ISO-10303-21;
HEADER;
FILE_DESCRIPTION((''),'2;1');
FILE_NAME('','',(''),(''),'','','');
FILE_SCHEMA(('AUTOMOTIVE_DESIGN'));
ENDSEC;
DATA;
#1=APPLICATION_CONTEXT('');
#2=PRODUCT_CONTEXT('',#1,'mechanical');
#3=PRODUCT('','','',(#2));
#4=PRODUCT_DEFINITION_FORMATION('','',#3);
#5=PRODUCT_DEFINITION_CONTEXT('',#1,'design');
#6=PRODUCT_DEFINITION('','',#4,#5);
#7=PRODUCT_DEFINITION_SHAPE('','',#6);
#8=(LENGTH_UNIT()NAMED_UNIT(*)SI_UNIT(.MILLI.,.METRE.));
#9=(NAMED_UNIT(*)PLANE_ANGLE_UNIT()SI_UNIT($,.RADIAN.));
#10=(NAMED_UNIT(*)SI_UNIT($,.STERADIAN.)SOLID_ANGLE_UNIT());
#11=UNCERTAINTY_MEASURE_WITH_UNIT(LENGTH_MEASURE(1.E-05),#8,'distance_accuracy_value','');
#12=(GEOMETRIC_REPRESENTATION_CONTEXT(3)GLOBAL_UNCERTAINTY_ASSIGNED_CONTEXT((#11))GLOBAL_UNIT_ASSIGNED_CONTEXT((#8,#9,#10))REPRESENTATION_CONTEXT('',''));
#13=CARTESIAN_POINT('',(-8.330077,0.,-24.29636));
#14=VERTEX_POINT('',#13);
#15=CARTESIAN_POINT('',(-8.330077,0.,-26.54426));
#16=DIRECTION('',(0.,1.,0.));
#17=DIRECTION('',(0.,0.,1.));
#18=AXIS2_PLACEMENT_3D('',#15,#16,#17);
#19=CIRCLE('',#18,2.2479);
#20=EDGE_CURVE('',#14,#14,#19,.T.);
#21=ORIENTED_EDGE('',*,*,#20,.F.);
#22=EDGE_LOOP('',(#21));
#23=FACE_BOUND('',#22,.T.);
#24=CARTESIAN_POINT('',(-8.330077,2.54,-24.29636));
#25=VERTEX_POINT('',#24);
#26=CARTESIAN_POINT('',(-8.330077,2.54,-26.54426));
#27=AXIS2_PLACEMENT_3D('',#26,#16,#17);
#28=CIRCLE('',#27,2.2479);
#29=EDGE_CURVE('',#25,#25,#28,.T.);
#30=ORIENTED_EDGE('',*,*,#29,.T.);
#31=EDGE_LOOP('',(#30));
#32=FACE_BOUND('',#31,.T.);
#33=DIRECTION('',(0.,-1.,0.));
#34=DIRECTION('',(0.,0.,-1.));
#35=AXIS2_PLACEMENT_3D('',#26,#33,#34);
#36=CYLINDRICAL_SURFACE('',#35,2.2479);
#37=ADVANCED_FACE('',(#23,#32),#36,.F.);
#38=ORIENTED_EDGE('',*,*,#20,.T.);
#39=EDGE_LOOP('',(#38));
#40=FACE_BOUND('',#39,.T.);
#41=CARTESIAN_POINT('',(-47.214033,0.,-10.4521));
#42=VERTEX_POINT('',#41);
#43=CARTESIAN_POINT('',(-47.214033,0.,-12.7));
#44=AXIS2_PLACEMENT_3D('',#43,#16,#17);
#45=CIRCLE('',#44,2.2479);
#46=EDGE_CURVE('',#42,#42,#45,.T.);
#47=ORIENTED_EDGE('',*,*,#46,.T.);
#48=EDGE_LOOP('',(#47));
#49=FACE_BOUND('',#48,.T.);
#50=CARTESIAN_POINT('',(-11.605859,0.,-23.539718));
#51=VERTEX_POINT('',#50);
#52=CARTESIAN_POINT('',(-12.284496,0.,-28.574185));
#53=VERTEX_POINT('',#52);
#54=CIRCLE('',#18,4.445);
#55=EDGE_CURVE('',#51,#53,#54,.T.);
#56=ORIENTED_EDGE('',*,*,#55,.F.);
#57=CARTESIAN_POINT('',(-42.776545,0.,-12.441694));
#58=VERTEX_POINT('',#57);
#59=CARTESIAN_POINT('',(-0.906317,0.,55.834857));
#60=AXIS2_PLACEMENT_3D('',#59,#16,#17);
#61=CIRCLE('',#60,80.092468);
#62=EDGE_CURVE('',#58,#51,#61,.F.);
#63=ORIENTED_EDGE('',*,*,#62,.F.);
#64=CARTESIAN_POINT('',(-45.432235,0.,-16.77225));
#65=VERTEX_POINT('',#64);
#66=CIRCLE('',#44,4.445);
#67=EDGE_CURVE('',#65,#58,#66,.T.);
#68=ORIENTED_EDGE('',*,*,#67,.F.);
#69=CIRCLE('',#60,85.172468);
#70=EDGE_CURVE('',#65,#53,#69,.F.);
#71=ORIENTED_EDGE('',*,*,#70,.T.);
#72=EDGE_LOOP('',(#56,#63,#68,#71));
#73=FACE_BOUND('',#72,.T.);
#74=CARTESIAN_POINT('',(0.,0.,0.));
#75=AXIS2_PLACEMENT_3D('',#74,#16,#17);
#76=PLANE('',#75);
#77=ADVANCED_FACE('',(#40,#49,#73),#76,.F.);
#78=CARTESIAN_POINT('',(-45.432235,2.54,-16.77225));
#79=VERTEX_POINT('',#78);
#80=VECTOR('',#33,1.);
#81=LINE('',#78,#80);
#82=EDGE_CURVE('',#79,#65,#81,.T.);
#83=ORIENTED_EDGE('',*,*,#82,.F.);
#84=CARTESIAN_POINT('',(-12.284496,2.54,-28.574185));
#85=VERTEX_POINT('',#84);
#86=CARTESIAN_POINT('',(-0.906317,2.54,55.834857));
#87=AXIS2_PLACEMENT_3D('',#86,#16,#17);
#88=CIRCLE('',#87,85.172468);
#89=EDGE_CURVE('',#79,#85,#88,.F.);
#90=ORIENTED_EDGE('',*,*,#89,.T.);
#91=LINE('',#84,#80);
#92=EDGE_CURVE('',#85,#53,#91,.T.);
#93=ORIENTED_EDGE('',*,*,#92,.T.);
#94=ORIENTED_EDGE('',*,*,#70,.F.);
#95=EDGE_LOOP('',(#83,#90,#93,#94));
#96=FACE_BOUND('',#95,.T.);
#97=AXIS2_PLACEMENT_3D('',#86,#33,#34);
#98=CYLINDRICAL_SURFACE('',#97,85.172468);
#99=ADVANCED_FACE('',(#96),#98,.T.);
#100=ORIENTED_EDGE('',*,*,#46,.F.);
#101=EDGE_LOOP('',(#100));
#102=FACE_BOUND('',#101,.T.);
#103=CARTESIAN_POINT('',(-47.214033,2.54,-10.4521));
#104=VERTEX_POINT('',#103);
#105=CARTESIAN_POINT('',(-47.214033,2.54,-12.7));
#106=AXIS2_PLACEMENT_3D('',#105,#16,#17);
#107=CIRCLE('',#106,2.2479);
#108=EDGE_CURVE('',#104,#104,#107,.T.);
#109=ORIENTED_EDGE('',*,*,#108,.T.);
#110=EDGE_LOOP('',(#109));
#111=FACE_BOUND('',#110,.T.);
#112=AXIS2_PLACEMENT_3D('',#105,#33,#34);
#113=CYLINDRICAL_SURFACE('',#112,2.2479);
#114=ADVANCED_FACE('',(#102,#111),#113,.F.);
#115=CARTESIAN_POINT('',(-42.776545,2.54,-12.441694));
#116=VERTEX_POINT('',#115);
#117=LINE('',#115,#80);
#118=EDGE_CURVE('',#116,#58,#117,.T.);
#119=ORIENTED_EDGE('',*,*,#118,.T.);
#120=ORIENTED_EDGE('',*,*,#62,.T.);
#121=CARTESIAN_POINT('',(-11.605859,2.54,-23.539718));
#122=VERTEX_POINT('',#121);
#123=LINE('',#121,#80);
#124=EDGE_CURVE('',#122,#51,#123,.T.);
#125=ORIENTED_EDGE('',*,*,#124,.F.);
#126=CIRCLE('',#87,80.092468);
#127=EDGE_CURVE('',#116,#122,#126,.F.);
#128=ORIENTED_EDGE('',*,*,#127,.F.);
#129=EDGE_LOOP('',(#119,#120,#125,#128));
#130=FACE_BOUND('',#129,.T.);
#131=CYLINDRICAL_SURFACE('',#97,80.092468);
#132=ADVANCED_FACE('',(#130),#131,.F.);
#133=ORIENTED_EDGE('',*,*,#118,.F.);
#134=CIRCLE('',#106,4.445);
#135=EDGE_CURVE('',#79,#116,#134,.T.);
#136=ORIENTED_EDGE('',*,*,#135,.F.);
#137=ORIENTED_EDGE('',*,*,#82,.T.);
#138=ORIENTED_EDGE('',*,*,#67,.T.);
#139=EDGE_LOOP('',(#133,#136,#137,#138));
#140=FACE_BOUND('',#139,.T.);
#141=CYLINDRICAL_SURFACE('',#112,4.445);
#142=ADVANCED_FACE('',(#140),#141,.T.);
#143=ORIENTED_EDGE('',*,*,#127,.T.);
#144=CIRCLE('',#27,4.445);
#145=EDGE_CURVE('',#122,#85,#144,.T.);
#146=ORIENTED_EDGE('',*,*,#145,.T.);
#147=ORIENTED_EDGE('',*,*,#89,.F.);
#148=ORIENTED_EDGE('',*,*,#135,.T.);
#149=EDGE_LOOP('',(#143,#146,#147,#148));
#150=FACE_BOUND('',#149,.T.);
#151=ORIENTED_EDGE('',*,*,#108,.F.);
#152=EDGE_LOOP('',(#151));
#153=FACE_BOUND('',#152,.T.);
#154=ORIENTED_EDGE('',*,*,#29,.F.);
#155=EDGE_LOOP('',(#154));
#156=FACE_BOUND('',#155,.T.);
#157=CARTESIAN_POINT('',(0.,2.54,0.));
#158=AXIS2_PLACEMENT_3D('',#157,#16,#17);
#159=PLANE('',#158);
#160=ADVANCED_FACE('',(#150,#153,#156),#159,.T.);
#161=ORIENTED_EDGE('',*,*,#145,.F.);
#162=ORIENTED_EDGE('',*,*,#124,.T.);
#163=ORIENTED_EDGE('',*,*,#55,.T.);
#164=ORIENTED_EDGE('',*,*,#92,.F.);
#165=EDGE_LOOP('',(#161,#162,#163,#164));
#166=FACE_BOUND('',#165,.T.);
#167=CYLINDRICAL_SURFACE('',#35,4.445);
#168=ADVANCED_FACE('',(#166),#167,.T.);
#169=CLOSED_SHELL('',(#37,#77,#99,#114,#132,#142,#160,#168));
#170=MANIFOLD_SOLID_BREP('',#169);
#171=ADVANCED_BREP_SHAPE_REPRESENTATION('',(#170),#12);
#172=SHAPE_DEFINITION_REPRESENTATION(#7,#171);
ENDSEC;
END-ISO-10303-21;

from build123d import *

# Parameters (mm, degrees)
SKETCH1_R           = 2.2479
BOSS_EXTRUDE1_DEPTH = 2.54


with BuildPart() as part:
    # Sketch1 → Boss-Extrude1 (new body)
    with BuildSketch(Plane(origin=(0, 0, 0), x_dir=(1, 0, 0), z_dir=(0, 1, 0))):
        with BuildLine():
            ThreePointArc((-45.432234663, 16.772249877), (-47.057593576, 17.142246239), (-48.704953523, 16.887503017))
            ThreePointArc((-48.704953523, 16.887503017), (-51.401536194, 11.209079653), (-45.72311283, 8.512496983))
            ThreePointArc((-45.72311283, 8.512496983), (-43.657889832, 10.033191137), (-42.77654479, 12.441694335))
            ThreePointArc((-42.77654479, 12.441694335), (-27.77054446, 19.617887904), (-11.605859319, 23.539718385))
            ThreePointArc((-11.605859319, 23.539718385), (-9.400722485, 22.2301275), (-6.839156241, 22.356757346))
            ThreePointArc((-6.839156241, 22.356757346), (-4.142573571, 28.03518071), (-9.820996935, 30.731763381))
            ThreePointArc((-9.820996935, 30.731763381), (-11.258679861, 29.888106632), (-12.28449584, 28.574184838))
            ThreePointArc((-12.28449584, 28.574184838), (-29.474453428, 24.403605638), (-45.432234663, 16.772249877))
        make_face()
        with Locations((-47.214033176, 12.7)):
            Circle(SKETCH1_R, mode=Mode.SUBTRACT)
        with Locations((-8.330076588, 26.544260363)):
            Circle(SKETCH1_R, mode=Mode.SUBTRACT)
    extrude(amount=BOSS_EXTRUDE1_DEPTH)


solid = part.part
